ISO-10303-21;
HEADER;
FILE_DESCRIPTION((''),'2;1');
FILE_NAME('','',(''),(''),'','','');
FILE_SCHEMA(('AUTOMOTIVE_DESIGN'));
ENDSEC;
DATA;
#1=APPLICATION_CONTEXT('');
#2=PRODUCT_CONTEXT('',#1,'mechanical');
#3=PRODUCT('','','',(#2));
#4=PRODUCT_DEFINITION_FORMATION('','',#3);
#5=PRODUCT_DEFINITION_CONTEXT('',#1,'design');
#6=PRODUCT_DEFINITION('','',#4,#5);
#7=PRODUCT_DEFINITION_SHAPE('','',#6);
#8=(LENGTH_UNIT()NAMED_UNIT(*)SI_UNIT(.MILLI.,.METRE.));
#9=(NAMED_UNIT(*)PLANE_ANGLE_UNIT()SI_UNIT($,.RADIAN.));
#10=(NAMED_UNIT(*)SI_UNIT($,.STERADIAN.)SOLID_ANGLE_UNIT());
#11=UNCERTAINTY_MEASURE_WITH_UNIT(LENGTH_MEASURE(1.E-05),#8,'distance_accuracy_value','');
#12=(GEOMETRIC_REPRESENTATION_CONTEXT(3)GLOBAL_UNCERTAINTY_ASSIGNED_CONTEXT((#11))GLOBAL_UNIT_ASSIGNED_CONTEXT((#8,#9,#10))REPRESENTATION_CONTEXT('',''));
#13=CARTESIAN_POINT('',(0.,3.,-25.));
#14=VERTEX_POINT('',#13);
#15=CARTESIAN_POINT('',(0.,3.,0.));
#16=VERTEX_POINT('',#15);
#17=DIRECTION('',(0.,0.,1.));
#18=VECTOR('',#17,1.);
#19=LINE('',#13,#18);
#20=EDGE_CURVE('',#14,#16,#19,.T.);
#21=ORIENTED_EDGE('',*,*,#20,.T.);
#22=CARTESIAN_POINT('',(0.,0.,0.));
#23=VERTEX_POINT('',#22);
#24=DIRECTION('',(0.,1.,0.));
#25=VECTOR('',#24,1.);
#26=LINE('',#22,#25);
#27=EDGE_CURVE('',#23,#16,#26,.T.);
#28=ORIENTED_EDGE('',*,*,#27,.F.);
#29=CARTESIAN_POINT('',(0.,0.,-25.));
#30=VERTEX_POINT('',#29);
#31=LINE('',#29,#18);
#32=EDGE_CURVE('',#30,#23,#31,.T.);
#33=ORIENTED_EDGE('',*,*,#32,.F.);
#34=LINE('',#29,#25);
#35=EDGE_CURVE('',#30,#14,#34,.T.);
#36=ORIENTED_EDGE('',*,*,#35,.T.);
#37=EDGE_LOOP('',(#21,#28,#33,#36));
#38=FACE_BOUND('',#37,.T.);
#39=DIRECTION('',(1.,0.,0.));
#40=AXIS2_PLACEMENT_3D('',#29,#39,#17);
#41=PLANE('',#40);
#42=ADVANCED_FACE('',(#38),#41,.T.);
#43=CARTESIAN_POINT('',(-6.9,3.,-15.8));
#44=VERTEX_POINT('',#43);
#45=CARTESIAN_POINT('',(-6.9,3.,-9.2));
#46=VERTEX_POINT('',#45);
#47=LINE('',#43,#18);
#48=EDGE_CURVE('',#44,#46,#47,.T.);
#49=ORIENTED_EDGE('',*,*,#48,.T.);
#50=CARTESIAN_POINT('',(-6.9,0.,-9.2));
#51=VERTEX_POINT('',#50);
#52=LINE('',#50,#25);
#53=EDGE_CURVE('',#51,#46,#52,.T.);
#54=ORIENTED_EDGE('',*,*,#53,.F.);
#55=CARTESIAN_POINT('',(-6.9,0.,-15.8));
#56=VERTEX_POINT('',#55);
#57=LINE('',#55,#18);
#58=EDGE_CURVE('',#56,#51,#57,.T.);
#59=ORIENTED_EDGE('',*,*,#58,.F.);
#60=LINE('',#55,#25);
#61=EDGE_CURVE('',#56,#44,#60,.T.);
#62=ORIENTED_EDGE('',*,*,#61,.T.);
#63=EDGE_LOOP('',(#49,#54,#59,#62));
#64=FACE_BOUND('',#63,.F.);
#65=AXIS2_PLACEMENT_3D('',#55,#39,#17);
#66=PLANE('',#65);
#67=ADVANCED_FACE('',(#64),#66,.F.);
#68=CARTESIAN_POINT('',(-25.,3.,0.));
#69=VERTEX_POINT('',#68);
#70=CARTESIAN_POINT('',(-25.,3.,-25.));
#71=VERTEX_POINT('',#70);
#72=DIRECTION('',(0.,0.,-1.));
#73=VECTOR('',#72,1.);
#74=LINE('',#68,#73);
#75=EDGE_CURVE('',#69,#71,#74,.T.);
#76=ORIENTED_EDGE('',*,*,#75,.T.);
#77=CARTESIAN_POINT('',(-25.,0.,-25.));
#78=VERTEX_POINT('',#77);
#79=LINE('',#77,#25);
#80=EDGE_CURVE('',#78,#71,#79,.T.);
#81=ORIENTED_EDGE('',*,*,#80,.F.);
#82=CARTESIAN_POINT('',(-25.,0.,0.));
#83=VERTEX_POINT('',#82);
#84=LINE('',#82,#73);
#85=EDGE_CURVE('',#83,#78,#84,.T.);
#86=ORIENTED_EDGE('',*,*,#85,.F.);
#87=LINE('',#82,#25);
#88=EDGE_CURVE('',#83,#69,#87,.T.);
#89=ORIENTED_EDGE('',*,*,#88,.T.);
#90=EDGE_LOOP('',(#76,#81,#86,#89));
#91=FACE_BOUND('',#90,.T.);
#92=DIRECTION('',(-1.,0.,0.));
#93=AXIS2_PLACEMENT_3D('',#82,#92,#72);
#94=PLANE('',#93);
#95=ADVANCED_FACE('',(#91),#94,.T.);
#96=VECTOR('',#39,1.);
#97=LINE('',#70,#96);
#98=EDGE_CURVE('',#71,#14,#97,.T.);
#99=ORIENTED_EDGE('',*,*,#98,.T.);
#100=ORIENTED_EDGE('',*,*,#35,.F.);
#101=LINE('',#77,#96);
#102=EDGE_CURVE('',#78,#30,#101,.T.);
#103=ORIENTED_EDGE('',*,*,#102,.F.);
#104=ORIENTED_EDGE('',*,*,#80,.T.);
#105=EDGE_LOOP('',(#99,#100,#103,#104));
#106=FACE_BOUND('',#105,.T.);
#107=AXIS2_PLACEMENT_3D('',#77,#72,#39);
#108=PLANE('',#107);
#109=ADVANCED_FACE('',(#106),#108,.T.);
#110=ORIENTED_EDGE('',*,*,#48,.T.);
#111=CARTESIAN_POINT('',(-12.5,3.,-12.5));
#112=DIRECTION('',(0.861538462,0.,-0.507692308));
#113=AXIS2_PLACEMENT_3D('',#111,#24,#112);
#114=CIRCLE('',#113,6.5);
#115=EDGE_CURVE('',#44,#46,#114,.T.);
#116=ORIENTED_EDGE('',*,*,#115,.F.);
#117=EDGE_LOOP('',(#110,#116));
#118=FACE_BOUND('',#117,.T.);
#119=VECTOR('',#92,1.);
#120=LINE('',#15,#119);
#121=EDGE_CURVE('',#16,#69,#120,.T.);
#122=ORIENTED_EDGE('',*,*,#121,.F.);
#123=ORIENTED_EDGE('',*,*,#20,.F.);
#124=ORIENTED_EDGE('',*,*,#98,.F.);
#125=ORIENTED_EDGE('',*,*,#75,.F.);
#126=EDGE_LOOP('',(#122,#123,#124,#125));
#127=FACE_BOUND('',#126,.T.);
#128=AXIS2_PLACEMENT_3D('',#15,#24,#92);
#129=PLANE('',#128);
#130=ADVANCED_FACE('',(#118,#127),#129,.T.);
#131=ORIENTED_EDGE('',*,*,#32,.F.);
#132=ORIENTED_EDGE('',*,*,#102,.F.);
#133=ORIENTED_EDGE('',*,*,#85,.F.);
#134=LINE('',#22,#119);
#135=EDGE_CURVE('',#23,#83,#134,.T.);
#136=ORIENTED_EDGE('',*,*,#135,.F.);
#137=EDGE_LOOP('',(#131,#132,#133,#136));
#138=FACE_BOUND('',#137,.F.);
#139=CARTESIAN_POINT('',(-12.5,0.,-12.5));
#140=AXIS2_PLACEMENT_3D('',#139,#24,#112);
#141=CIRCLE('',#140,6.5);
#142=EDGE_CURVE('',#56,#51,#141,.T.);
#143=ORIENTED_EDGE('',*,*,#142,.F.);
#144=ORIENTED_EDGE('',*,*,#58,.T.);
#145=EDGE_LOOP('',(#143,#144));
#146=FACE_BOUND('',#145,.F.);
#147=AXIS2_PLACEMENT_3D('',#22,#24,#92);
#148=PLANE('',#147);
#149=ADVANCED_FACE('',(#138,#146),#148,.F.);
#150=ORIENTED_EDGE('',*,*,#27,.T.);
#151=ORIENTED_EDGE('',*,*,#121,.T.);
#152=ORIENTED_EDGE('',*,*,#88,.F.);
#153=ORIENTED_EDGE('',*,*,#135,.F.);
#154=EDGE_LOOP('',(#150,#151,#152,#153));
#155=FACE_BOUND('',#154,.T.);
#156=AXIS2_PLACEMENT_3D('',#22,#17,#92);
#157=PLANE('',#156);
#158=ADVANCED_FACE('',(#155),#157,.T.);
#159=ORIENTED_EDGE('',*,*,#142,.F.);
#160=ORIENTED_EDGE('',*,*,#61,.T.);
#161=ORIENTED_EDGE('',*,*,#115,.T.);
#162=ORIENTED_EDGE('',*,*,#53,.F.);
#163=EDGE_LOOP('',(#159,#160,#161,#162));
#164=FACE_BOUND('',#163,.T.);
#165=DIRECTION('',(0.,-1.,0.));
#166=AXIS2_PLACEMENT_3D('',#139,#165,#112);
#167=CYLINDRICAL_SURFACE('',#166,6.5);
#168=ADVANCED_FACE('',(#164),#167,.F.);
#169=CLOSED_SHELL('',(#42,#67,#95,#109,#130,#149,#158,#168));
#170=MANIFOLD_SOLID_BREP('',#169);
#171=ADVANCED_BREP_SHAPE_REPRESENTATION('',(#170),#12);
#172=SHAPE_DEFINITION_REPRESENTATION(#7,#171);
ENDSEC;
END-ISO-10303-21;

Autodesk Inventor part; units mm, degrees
ref_plane "YZ Plane" through (0, 0, 0) normal (1, 0, 0) x (0, 1, 0)
ref_plane "XZ Plane" through (0, 0, 0) normal (0, 1, 0) x (-1, 0, 0)
ref_plane "XY Plane" through (0, 0, 0) normal (0, 0, 1) x (1, 0, 0)
sketch "Sketch1" plane through (0, 0, 0) normal (0, 1, 0) x (-1, 0, 0)
  line L0 (0, 0) -> (25, 0)
  line L1 (25, 0) -> (25, -25)
  line L2 (25, -25) -> (0, -25)
  line L3 (0, -25) -> (0, 0)
  arc A0 (6.9, -15.8) -> (6.9, -9.2) centre (12.5, -12.5) ccw
  line L4 (6.9, -15.8) -> (6.9, -9.2)
  point P0 (25, -12.5)
  dimension "d0" = 13
  dimension "d1" = 25
  dimension "d2" = 25
  dimension "d3" = 12.5
  dimension "d4" = 12.5
  dimension "d7" = 5.6
extrude "Extrusion1" add sketch "Sketch1" along normal blind 3
properties part number "StartBtnMount_test"
